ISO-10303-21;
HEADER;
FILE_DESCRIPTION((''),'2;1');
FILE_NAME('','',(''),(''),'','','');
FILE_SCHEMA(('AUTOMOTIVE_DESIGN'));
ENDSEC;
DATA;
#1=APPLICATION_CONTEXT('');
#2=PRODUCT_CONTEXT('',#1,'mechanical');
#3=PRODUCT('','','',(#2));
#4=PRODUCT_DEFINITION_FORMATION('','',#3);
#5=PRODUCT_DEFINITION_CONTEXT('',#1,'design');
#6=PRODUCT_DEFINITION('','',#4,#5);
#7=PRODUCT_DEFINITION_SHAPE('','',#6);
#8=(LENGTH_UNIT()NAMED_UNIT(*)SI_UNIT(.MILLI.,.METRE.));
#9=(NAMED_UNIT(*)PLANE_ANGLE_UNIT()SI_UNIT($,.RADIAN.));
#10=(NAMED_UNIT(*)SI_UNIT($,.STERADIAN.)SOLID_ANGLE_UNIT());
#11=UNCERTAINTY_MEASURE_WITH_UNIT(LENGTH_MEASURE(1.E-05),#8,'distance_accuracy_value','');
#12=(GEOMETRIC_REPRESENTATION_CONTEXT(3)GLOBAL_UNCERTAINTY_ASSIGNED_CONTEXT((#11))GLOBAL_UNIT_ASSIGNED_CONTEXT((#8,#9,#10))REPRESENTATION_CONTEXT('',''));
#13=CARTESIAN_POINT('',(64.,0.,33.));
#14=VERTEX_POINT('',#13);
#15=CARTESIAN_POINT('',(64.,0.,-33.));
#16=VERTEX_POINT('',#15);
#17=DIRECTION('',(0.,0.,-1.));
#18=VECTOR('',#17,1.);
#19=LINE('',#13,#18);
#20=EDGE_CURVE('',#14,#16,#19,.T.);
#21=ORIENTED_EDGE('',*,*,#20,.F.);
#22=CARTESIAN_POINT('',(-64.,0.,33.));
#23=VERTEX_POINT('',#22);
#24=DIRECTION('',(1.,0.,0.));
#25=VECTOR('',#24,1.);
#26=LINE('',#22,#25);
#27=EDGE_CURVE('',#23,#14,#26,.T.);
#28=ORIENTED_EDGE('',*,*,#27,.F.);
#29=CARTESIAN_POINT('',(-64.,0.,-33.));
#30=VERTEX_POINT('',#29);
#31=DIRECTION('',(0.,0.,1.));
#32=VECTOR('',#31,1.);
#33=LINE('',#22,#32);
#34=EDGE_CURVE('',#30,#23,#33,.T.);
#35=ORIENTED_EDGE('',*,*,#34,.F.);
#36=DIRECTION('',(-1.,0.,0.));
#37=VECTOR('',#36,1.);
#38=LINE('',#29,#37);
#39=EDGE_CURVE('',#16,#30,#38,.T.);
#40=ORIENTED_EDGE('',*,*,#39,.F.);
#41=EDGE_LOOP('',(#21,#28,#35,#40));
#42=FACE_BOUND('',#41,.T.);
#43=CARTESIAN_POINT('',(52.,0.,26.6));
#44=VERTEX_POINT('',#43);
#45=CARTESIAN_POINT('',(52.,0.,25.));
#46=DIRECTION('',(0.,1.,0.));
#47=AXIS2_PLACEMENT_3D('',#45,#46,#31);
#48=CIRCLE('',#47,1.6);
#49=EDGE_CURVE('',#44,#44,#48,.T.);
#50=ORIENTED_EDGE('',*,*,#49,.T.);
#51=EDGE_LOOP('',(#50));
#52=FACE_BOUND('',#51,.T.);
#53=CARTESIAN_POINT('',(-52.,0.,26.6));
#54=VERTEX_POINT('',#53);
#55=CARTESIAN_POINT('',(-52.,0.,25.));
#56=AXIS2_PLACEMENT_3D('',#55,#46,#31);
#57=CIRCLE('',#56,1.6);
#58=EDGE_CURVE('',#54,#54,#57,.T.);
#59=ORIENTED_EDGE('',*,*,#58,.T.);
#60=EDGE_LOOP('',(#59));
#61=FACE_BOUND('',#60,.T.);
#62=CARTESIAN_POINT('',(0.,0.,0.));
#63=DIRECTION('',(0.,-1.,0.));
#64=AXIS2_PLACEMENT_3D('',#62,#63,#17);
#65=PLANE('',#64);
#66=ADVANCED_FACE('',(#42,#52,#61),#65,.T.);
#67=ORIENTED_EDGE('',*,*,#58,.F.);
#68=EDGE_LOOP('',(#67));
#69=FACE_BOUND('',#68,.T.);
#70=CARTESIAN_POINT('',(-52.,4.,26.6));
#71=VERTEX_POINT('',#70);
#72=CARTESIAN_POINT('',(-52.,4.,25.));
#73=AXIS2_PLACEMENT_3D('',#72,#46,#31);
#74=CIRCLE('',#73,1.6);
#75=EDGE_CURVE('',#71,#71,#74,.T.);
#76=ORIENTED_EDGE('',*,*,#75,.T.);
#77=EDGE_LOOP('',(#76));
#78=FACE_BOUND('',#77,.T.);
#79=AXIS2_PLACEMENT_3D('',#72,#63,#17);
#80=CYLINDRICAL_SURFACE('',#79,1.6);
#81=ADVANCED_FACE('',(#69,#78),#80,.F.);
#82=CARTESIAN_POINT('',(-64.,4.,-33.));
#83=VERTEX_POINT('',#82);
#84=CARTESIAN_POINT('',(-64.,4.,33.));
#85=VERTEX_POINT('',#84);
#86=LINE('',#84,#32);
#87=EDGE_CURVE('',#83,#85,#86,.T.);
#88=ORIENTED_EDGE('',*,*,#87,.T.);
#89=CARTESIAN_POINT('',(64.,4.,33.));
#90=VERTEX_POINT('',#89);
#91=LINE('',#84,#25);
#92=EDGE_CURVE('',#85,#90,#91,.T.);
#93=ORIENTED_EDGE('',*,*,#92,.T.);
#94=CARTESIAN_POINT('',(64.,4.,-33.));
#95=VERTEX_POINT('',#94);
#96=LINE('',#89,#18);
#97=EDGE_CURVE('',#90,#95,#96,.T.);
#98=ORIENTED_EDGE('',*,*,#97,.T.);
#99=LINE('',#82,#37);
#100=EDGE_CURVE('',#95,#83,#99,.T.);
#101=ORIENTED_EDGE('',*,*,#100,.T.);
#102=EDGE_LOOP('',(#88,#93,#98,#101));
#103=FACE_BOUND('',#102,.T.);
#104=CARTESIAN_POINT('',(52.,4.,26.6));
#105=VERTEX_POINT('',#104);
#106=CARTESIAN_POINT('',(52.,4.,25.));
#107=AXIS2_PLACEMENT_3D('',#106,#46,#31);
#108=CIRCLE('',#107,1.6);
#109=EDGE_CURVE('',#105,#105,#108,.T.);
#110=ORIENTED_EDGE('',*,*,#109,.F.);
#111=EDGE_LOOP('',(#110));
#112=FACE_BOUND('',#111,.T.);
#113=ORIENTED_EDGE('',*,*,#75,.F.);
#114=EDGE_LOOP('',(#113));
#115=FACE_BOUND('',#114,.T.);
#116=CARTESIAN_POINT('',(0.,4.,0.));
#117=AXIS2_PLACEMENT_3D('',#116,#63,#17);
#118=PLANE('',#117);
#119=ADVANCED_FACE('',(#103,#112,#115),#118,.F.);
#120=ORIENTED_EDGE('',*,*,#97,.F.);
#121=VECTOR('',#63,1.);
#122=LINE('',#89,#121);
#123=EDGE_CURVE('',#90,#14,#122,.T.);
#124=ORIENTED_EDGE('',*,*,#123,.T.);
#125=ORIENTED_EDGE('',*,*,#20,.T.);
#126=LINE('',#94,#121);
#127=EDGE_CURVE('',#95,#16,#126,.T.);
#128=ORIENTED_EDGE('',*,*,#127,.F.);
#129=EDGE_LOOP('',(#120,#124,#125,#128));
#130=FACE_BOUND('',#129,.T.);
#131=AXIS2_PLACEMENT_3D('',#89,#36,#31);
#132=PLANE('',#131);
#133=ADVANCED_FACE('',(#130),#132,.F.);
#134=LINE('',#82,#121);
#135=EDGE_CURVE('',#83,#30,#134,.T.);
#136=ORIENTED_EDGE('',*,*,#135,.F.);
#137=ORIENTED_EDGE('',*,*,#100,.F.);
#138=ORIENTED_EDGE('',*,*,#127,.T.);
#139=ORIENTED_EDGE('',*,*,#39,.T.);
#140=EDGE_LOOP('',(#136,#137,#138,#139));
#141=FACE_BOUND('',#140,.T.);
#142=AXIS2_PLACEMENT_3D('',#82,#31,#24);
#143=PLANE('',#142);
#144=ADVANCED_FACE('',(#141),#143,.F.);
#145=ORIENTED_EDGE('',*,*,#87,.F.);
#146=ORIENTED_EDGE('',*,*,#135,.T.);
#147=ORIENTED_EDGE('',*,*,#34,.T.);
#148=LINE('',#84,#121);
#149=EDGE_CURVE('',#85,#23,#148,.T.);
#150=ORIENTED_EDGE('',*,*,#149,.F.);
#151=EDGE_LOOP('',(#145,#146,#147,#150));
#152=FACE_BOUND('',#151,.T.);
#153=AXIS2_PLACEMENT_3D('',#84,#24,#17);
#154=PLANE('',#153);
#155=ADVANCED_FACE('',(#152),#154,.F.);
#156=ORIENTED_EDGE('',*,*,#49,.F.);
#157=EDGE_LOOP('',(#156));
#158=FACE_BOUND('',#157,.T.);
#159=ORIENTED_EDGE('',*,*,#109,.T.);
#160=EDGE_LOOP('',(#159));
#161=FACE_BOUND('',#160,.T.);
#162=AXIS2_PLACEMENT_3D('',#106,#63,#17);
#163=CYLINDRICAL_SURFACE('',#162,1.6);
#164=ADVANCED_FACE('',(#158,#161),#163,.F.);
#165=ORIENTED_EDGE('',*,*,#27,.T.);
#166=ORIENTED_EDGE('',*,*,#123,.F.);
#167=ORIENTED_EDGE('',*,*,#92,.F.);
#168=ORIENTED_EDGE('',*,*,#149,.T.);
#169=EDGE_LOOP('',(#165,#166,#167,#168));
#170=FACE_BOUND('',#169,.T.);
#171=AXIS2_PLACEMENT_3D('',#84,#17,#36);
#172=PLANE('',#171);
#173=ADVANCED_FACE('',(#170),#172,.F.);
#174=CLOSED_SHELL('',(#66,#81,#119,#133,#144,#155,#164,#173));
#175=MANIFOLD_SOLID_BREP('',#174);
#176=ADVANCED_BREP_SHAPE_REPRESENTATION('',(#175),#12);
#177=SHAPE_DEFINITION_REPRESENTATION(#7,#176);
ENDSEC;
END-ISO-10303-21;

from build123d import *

# Parameters (mm, degrees)
SKETCH1_W               = 128
SKETCH1_H               = 66
SKETCH1_R               = 1.6
TRAY_BASE_EXTRUDE_DEPTH = 4


with BuildPart() as part:
    # Sketch1 → Tray_Base_Extrude (new body)
    with BuildSketch(Plane(origin=(0, 0, 0), x_dir=(1, 0, 0), z_dir=(0, 1, 0))):
        Rectangle(SKETCH1_W, SKETCH1_H)
        with Locations(Location((-52, -25, 0), (0, 0, 270))):
            Circle(SKETCH1_R, mode=Mode.SUBTRACT)
        with Locations(Location((52, -25, 0), (0, 0, 270))):
            Circle(SKETCH1_R, mode=Mode.SUBTRACT)
    extrude(amount=TRAY_BASE_EXTRUDE_DEPTH)


solid = part.part
